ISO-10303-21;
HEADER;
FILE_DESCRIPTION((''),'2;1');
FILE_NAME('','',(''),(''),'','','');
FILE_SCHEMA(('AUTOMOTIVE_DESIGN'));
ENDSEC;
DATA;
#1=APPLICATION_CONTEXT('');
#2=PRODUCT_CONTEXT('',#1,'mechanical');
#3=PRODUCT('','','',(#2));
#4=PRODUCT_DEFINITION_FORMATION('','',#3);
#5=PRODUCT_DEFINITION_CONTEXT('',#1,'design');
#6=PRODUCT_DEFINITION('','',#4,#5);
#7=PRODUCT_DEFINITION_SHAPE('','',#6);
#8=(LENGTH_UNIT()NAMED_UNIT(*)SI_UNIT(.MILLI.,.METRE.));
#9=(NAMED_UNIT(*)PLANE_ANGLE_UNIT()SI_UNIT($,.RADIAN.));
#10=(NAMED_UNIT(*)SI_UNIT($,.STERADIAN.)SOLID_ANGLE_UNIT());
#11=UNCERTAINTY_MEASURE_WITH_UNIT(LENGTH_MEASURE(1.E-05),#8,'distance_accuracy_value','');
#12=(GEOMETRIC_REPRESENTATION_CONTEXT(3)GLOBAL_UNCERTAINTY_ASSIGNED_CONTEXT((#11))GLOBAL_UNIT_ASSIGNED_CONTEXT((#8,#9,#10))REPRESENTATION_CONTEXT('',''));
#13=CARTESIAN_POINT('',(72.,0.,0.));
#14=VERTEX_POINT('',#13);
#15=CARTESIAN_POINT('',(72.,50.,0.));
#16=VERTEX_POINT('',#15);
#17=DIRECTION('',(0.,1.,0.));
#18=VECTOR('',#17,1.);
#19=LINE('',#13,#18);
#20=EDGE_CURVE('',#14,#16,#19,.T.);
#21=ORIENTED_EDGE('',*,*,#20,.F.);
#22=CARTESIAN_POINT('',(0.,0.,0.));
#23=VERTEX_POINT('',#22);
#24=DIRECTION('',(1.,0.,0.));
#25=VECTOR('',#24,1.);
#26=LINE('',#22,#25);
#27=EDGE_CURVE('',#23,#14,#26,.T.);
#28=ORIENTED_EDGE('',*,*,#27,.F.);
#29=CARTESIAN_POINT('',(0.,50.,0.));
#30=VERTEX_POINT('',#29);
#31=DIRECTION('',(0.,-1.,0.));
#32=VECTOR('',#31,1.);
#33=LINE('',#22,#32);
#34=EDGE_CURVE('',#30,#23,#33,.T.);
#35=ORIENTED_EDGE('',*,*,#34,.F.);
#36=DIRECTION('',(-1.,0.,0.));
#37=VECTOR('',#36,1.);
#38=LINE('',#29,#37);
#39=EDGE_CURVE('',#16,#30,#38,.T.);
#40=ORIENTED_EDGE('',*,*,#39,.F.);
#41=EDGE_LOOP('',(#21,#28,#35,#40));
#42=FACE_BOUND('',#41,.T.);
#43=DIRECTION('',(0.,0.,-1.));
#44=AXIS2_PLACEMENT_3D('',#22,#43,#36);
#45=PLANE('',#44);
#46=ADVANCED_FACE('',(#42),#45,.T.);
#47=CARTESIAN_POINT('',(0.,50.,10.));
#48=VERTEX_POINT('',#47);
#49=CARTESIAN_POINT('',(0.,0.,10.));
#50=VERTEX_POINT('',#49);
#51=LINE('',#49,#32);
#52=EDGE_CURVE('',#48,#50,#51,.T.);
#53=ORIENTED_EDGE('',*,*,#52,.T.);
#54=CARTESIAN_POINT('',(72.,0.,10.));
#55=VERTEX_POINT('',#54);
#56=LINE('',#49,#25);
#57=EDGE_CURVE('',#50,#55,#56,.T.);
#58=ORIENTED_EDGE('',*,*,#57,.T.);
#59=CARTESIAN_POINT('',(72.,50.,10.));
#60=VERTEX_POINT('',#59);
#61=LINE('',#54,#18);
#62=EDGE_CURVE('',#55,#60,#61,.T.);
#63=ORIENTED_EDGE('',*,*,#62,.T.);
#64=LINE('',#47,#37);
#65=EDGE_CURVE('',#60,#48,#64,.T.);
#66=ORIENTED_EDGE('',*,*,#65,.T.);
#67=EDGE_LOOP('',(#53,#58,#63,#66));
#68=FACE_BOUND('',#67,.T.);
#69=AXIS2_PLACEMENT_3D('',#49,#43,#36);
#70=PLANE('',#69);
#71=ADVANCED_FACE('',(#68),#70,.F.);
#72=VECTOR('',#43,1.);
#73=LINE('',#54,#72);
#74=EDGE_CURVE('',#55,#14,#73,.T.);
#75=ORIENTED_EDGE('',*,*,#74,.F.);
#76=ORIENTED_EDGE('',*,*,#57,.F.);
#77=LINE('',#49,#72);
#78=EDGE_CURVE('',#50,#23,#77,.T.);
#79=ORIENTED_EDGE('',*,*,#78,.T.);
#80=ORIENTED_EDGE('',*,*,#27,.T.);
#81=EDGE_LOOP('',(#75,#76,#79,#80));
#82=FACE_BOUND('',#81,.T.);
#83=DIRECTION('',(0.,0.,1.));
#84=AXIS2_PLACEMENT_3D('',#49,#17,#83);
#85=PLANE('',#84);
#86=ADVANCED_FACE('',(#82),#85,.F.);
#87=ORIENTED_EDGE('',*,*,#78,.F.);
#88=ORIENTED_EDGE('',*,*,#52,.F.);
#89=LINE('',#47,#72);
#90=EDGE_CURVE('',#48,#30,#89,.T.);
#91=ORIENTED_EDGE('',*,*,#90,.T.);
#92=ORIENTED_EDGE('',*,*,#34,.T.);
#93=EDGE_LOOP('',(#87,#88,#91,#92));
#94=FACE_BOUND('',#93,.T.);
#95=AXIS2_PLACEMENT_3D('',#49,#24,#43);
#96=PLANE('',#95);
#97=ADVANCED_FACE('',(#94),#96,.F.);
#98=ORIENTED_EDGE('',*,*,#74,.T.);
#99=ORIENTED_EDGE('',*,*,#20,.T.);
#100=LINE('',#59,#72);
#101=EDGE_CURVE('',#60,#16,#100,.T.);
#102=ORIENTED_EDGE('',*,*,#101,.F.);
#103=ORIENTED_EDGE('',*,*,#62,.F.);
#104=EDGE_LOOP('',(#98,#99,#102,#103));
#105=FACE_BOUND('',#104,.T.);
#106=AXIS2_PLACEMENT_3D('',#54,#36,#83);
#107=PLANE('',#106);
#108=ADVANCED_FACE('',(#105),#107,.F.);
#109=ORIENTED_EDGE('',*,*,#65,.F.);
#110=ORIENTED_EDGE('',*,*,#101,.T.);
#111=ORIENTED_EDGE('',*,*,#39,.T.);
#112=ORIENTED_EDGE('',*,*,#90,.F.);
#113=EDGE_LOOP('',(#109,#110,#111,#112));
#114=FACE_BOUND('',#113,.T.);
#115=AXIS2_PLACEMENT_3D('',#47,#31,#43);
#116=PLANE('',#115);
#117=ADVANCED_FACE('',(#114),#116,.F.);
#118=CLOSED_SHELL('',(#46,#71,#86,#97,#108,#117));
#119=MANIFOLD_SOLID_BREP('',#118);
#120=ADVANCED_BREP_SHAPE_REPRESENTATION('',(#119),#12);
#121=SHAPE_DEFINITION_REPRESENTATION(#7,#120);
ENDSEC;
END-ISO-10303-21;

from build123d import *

# Parameters (mm, degrees)
SKETCH_1_W      = 72
SKETCH_1_H      = 50
EXTRUDE_1_DEPTH = 10


with BuildPart() as part:
    # 草图1 → 凸台-拉伸1 (new body)
    with BuildSketch(Plane.XY):
        with Locations((36, 25)):
            Rectangle(SKETCH_1_W, SKETCH_1_H)
    extrude(amount=EXTRUDE_1_DEPTH)


solid = part.part
